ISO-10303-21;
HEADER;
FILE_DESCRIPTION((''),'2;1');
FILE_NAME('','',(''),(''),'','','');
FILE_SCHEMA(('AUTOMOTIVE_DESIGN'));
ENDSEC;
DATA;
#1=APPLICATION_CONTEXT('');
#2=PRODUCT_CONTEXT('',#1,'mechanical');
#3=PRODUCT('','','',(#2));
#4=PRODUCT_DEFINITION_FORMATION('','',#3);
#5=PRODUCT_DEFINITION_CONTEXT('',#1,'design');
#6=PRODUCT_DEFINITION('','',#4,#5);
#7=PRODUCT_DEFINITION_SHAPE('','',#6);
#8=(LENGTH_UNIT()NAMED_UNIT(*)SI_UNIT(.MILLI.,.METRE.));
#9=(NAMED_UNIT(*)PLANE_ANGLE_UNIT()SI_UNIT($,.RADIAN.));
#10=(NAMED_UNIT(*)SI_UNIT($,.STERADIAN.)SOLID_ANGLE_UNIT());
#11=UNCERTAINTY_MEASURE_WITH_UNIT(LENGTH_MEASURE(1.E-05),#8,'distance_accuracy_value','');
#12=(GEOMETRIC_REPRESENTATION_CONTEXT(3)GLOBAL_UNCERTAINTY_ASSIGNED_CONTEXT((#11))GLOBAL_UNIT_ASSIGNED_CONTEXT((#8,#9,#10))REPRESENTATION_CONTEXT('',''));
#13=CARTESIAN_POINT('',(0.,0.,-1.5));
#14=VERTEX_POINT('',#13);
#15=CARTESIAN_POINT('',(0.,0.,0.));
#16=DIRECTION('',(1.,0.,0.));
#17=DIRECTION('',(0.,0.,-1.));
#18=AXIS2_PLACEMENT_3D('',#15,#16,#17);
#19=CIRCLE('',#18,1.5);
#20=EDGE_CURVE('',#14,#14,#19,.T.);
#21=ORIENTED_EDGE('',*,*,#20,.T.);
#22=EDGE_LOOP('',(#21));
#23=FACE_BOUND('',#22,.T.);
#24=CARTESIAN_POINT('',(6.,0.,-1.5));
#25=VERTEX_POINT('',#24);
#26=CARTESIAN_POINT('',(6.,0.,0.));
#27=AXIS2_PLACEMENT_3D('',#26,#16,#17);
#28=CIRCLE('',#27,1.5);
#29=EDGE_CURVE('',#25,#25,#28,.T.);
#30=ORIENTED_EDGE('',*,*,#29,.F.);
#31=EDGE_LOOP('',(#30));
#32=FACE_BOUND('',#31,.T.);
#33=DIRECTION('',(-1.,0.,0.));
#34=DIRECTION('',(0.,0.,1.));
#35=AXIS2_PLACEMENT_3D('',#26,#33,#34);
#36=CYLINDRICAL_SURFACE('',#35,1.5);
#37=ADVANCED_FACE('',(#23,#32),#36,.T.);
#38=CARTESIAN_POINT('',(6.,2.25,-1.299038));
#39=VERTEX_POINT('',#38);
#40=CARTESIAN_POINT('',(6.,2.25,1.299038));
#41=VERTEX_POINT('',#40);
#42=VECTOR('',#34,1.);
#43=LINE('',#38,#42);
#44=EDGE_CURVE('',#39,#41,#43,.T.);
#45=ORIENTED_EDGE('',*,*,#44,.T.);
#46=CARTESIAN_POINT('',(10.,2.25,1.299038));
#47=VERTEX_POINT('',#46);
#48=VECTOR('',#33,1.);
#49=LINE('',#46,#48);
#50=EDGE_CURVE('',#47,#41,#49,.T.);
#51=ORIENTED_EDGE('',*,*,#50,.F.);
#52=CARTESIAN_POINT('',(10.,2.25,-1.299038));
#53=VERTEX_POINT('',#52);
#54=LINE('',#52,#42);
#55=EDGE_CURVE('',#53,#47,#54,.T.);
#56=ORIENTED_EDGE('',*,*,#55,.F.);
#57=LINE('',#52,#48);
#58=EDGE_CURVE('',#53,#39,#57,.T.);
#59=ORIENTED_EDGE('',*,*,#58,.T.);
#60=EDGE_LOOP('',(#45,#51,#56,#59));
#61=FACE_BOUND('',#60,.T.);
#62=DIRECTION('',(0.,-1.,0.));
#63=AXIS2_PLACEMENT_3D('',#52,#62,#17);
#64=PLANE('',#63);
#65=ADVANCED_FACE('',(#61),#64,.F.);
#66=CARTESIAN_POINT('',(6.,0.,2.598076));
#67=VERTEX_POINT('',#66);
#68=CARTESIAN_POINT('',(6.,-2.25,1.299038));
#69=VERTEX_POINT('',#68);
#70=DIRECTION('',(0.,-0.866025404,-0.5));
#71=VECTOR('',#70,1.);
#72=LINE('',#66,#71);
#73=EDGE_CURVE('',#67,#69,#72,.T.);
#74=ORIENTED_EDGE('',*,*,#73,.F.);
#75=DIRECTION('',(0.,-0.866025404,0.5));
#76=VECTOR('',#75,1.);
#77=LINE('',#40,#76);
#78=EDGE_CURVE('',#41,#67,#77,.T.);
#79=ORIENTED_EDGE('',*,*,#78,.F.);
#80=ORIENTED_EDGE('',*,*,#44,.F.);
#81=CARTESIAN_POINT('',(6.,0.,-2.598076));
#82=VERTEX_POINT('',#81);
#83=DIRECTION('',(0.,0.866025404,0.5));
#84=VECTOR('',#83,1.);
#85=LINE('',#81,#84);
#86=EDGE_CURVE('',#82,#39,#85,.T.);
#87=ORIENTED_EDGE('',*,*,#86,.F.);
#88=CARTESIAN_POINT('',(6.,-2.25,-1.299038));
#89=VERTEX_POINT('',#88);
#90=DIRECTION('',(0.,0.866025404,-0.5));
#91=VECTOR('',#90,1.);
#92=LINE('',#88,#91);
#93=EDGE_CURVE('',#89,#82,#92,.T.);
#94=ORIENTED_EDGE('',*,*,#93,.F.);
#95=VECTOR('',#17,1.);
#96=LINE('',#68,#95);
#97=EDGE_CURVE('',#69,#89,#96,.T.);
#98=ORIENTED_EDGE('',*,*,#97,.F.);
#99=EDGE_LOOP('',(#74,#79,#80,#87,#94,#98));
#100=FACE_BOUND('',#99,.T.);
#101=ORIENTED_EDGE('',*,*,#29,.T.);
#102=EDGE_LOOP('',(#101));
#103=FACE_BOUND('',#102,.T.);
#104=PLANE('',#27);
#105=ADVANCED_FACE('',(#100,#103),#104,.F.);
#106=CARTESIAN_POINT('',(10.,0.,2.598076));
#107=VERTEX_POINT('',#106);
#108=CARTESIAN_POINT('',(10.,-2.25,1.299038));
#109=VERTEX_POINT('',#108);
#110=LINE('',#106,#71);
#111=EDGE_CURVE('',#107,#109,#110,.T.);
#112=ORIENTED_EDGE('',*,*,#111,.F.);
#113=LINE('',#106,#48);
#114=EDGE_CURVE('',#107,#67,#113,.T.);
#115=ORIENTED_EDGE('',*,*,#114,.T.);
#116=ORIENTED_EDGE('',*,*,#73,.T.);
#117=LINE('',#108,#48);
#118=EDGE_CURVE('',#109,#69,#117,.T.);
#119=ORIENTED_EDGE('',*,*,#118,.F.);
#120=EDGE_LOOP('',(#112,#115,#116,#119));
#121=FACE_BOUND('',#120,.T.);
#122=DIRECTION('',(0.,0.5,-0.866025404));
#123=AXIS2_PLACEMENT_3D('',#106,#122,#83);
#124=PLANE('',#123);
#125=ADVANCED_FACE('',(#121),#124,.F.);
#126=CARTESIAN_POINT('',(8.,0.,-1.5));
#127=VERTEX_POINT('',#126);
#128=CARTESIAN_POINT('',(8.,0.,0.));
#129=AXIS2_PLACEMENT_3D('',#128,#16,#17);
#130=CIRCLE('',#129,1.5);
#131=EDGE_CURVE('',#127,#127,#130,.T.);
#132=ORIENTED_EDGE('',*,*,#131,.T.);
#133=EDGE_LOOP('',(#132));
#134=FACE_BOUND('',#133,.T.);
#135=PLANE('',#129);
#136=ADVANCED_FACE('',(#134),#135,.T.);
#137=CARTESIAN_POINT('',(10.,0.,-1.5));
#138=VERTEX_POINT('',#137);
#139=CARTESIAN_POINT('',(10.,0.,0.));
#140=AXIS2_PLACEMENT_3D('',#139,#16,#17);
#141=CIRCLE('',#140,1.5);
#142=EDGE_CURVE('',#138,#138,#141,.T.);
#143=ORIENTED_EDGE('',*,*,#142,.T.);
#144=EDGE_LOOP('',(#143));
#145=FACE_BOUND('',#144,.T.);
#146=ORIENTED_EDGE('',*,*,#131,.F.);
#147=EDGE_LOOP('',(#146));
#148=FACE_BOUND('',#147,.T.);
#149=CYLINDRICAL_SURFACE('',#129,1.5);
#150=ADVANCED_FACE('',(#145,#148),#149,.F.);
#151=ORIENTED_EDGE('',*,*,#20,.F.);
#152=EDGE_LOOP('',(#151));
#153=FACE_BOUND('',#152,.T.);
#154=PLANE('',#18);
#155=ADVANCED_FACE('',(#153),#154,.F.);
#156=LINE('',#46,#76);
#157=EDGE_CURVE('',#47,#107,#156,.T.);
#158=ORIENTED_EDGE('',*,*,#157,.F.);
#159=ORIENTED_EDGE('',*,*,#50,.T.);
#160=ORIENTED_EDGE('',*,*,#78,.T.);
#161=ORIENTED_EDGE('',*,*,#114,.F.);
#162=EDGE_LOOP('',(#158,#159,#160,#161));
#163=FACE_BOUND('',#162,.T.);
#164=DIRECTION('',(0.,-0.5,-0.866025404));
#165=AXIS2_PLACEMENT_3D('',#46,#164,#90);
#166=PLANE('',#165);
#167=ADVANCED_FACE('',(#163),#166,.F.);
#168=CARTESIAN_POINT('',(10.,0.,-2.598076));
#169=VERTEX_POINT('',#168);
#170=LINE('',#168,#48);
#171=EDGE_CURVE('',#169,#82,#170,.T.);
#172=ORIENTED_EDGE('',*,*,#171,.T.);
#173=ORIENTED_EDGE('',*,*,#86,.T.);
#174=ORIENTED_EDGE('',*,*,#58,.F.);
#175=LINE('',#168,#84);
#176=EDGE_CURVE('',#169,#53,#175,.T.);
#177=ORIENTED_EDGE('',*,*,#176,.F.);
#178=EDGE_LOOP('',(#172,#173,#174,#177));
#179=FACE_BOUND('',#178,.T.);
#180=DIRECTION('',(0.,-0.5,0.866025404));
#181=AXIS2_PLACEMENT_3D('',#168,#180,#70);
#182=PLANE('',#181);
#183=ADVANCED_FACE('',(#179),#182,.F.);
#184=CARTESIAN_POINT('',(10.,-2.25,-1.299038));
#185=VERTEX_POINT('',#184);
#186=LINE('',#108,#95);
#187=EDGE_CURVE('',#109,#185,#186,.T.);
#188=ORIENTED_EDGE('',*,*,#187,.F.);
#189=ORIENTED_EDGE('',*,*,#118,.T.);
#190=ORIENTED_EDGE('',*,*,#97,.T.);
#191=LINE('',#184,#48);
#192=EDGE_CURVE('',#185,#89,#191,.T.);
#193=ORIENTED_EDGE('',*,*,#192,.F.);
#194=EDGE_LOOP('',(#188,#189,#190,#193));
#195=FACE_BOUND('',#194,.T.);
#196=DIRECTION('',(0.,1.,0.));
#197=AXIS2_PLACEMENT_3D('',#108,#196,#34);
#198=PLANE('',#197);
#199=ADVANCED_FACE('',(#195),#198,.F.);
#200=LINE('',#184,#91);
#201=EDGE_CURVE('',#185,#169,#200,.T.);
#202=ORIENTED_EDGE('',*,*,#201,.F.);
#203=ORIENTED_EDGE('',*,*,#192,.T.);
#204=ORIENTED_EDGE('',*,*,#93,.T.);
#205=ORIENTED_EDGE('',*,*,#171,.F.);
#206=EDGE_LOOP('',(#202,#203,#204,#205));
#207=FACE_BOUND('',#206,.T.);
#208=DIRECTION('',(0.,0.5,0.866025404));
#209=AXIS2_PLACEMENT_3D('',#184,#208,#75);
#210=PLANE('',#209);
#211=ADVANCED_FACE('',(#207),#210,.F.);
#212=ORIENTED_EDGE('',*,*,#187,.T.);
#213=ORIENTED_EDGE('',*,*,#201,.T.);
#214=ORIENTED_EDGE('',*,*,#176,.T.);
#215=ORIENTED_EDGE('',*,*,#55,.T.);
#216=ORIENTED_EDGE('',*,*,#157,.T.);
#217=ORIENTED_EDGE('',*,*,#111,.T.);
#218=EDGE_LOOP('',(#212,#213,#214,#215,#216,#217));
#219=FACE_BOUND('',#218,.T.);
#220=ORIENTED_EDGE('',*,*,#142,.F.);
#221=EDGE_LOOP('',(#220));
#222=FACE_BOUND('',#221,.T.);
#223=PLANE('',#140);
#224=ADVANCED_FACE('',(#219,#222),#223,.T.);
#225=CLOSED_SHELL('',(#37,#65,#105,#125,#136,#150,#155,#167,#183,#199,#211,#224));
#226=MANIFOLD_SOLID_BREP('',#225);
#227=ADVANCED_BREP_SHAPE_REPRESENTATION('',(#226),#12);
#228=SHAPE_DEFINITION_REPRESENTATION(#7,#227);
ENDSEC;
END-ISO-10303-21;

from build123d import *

# Parameters (mm, degrees)
SKETCH_1_R          = 1.5
EXTRUDE_1_DEPTH     = 6
EXTRUDE_2_DEPTH     = 4
CUT_EXTRUDE_START   = -2
SKETCH_4_R          = 1.5
CUT_EXTRUDE_1_DEPTH = 2


with BuildPart() as part:
    # 草图1 → 凸台-拉伸1 (new body)
    with BuildSketch(Plane(origin=(0, 0, 0), x_dir=(0, 0, -1), z_dir=(1, 0, 0))):
        Circle(SKETCH_1_R)
    extrude(amount=EXTRUDE_1_DEPTH)

    # 草图2 → 凸台-拉伸2 (add)
    with BuildSketch(Plane(origin=(6, 0, 0), x_dir=(0, 0, -1), z_dir=(1, 0, 0))):
        Polygon((2.598076211, 0), (1.299038106, 2.25), (-1.299038106, 2.25), (-2.598076211, 0), (-1.299038106, -2.25), (1.299038106, -2.25), align=None)
    extrude(amount=EXTRUDE_2_DEPTH)

    # 草图4 → 切除-拉伸1 (cut)
    with BuildSketch(Plane(origin=(10, 0, 0), x_dir=(0, 0, -1), z_dir=(1, 0, 0)).offset(CUT_EXTRUDE_START)):
        Circle(SKETCH_4_R)
    extrude(amount=CUT_EXTRUDE_1_DEPTH, mode=Mode.SUBTRACT)


solid = part.part
